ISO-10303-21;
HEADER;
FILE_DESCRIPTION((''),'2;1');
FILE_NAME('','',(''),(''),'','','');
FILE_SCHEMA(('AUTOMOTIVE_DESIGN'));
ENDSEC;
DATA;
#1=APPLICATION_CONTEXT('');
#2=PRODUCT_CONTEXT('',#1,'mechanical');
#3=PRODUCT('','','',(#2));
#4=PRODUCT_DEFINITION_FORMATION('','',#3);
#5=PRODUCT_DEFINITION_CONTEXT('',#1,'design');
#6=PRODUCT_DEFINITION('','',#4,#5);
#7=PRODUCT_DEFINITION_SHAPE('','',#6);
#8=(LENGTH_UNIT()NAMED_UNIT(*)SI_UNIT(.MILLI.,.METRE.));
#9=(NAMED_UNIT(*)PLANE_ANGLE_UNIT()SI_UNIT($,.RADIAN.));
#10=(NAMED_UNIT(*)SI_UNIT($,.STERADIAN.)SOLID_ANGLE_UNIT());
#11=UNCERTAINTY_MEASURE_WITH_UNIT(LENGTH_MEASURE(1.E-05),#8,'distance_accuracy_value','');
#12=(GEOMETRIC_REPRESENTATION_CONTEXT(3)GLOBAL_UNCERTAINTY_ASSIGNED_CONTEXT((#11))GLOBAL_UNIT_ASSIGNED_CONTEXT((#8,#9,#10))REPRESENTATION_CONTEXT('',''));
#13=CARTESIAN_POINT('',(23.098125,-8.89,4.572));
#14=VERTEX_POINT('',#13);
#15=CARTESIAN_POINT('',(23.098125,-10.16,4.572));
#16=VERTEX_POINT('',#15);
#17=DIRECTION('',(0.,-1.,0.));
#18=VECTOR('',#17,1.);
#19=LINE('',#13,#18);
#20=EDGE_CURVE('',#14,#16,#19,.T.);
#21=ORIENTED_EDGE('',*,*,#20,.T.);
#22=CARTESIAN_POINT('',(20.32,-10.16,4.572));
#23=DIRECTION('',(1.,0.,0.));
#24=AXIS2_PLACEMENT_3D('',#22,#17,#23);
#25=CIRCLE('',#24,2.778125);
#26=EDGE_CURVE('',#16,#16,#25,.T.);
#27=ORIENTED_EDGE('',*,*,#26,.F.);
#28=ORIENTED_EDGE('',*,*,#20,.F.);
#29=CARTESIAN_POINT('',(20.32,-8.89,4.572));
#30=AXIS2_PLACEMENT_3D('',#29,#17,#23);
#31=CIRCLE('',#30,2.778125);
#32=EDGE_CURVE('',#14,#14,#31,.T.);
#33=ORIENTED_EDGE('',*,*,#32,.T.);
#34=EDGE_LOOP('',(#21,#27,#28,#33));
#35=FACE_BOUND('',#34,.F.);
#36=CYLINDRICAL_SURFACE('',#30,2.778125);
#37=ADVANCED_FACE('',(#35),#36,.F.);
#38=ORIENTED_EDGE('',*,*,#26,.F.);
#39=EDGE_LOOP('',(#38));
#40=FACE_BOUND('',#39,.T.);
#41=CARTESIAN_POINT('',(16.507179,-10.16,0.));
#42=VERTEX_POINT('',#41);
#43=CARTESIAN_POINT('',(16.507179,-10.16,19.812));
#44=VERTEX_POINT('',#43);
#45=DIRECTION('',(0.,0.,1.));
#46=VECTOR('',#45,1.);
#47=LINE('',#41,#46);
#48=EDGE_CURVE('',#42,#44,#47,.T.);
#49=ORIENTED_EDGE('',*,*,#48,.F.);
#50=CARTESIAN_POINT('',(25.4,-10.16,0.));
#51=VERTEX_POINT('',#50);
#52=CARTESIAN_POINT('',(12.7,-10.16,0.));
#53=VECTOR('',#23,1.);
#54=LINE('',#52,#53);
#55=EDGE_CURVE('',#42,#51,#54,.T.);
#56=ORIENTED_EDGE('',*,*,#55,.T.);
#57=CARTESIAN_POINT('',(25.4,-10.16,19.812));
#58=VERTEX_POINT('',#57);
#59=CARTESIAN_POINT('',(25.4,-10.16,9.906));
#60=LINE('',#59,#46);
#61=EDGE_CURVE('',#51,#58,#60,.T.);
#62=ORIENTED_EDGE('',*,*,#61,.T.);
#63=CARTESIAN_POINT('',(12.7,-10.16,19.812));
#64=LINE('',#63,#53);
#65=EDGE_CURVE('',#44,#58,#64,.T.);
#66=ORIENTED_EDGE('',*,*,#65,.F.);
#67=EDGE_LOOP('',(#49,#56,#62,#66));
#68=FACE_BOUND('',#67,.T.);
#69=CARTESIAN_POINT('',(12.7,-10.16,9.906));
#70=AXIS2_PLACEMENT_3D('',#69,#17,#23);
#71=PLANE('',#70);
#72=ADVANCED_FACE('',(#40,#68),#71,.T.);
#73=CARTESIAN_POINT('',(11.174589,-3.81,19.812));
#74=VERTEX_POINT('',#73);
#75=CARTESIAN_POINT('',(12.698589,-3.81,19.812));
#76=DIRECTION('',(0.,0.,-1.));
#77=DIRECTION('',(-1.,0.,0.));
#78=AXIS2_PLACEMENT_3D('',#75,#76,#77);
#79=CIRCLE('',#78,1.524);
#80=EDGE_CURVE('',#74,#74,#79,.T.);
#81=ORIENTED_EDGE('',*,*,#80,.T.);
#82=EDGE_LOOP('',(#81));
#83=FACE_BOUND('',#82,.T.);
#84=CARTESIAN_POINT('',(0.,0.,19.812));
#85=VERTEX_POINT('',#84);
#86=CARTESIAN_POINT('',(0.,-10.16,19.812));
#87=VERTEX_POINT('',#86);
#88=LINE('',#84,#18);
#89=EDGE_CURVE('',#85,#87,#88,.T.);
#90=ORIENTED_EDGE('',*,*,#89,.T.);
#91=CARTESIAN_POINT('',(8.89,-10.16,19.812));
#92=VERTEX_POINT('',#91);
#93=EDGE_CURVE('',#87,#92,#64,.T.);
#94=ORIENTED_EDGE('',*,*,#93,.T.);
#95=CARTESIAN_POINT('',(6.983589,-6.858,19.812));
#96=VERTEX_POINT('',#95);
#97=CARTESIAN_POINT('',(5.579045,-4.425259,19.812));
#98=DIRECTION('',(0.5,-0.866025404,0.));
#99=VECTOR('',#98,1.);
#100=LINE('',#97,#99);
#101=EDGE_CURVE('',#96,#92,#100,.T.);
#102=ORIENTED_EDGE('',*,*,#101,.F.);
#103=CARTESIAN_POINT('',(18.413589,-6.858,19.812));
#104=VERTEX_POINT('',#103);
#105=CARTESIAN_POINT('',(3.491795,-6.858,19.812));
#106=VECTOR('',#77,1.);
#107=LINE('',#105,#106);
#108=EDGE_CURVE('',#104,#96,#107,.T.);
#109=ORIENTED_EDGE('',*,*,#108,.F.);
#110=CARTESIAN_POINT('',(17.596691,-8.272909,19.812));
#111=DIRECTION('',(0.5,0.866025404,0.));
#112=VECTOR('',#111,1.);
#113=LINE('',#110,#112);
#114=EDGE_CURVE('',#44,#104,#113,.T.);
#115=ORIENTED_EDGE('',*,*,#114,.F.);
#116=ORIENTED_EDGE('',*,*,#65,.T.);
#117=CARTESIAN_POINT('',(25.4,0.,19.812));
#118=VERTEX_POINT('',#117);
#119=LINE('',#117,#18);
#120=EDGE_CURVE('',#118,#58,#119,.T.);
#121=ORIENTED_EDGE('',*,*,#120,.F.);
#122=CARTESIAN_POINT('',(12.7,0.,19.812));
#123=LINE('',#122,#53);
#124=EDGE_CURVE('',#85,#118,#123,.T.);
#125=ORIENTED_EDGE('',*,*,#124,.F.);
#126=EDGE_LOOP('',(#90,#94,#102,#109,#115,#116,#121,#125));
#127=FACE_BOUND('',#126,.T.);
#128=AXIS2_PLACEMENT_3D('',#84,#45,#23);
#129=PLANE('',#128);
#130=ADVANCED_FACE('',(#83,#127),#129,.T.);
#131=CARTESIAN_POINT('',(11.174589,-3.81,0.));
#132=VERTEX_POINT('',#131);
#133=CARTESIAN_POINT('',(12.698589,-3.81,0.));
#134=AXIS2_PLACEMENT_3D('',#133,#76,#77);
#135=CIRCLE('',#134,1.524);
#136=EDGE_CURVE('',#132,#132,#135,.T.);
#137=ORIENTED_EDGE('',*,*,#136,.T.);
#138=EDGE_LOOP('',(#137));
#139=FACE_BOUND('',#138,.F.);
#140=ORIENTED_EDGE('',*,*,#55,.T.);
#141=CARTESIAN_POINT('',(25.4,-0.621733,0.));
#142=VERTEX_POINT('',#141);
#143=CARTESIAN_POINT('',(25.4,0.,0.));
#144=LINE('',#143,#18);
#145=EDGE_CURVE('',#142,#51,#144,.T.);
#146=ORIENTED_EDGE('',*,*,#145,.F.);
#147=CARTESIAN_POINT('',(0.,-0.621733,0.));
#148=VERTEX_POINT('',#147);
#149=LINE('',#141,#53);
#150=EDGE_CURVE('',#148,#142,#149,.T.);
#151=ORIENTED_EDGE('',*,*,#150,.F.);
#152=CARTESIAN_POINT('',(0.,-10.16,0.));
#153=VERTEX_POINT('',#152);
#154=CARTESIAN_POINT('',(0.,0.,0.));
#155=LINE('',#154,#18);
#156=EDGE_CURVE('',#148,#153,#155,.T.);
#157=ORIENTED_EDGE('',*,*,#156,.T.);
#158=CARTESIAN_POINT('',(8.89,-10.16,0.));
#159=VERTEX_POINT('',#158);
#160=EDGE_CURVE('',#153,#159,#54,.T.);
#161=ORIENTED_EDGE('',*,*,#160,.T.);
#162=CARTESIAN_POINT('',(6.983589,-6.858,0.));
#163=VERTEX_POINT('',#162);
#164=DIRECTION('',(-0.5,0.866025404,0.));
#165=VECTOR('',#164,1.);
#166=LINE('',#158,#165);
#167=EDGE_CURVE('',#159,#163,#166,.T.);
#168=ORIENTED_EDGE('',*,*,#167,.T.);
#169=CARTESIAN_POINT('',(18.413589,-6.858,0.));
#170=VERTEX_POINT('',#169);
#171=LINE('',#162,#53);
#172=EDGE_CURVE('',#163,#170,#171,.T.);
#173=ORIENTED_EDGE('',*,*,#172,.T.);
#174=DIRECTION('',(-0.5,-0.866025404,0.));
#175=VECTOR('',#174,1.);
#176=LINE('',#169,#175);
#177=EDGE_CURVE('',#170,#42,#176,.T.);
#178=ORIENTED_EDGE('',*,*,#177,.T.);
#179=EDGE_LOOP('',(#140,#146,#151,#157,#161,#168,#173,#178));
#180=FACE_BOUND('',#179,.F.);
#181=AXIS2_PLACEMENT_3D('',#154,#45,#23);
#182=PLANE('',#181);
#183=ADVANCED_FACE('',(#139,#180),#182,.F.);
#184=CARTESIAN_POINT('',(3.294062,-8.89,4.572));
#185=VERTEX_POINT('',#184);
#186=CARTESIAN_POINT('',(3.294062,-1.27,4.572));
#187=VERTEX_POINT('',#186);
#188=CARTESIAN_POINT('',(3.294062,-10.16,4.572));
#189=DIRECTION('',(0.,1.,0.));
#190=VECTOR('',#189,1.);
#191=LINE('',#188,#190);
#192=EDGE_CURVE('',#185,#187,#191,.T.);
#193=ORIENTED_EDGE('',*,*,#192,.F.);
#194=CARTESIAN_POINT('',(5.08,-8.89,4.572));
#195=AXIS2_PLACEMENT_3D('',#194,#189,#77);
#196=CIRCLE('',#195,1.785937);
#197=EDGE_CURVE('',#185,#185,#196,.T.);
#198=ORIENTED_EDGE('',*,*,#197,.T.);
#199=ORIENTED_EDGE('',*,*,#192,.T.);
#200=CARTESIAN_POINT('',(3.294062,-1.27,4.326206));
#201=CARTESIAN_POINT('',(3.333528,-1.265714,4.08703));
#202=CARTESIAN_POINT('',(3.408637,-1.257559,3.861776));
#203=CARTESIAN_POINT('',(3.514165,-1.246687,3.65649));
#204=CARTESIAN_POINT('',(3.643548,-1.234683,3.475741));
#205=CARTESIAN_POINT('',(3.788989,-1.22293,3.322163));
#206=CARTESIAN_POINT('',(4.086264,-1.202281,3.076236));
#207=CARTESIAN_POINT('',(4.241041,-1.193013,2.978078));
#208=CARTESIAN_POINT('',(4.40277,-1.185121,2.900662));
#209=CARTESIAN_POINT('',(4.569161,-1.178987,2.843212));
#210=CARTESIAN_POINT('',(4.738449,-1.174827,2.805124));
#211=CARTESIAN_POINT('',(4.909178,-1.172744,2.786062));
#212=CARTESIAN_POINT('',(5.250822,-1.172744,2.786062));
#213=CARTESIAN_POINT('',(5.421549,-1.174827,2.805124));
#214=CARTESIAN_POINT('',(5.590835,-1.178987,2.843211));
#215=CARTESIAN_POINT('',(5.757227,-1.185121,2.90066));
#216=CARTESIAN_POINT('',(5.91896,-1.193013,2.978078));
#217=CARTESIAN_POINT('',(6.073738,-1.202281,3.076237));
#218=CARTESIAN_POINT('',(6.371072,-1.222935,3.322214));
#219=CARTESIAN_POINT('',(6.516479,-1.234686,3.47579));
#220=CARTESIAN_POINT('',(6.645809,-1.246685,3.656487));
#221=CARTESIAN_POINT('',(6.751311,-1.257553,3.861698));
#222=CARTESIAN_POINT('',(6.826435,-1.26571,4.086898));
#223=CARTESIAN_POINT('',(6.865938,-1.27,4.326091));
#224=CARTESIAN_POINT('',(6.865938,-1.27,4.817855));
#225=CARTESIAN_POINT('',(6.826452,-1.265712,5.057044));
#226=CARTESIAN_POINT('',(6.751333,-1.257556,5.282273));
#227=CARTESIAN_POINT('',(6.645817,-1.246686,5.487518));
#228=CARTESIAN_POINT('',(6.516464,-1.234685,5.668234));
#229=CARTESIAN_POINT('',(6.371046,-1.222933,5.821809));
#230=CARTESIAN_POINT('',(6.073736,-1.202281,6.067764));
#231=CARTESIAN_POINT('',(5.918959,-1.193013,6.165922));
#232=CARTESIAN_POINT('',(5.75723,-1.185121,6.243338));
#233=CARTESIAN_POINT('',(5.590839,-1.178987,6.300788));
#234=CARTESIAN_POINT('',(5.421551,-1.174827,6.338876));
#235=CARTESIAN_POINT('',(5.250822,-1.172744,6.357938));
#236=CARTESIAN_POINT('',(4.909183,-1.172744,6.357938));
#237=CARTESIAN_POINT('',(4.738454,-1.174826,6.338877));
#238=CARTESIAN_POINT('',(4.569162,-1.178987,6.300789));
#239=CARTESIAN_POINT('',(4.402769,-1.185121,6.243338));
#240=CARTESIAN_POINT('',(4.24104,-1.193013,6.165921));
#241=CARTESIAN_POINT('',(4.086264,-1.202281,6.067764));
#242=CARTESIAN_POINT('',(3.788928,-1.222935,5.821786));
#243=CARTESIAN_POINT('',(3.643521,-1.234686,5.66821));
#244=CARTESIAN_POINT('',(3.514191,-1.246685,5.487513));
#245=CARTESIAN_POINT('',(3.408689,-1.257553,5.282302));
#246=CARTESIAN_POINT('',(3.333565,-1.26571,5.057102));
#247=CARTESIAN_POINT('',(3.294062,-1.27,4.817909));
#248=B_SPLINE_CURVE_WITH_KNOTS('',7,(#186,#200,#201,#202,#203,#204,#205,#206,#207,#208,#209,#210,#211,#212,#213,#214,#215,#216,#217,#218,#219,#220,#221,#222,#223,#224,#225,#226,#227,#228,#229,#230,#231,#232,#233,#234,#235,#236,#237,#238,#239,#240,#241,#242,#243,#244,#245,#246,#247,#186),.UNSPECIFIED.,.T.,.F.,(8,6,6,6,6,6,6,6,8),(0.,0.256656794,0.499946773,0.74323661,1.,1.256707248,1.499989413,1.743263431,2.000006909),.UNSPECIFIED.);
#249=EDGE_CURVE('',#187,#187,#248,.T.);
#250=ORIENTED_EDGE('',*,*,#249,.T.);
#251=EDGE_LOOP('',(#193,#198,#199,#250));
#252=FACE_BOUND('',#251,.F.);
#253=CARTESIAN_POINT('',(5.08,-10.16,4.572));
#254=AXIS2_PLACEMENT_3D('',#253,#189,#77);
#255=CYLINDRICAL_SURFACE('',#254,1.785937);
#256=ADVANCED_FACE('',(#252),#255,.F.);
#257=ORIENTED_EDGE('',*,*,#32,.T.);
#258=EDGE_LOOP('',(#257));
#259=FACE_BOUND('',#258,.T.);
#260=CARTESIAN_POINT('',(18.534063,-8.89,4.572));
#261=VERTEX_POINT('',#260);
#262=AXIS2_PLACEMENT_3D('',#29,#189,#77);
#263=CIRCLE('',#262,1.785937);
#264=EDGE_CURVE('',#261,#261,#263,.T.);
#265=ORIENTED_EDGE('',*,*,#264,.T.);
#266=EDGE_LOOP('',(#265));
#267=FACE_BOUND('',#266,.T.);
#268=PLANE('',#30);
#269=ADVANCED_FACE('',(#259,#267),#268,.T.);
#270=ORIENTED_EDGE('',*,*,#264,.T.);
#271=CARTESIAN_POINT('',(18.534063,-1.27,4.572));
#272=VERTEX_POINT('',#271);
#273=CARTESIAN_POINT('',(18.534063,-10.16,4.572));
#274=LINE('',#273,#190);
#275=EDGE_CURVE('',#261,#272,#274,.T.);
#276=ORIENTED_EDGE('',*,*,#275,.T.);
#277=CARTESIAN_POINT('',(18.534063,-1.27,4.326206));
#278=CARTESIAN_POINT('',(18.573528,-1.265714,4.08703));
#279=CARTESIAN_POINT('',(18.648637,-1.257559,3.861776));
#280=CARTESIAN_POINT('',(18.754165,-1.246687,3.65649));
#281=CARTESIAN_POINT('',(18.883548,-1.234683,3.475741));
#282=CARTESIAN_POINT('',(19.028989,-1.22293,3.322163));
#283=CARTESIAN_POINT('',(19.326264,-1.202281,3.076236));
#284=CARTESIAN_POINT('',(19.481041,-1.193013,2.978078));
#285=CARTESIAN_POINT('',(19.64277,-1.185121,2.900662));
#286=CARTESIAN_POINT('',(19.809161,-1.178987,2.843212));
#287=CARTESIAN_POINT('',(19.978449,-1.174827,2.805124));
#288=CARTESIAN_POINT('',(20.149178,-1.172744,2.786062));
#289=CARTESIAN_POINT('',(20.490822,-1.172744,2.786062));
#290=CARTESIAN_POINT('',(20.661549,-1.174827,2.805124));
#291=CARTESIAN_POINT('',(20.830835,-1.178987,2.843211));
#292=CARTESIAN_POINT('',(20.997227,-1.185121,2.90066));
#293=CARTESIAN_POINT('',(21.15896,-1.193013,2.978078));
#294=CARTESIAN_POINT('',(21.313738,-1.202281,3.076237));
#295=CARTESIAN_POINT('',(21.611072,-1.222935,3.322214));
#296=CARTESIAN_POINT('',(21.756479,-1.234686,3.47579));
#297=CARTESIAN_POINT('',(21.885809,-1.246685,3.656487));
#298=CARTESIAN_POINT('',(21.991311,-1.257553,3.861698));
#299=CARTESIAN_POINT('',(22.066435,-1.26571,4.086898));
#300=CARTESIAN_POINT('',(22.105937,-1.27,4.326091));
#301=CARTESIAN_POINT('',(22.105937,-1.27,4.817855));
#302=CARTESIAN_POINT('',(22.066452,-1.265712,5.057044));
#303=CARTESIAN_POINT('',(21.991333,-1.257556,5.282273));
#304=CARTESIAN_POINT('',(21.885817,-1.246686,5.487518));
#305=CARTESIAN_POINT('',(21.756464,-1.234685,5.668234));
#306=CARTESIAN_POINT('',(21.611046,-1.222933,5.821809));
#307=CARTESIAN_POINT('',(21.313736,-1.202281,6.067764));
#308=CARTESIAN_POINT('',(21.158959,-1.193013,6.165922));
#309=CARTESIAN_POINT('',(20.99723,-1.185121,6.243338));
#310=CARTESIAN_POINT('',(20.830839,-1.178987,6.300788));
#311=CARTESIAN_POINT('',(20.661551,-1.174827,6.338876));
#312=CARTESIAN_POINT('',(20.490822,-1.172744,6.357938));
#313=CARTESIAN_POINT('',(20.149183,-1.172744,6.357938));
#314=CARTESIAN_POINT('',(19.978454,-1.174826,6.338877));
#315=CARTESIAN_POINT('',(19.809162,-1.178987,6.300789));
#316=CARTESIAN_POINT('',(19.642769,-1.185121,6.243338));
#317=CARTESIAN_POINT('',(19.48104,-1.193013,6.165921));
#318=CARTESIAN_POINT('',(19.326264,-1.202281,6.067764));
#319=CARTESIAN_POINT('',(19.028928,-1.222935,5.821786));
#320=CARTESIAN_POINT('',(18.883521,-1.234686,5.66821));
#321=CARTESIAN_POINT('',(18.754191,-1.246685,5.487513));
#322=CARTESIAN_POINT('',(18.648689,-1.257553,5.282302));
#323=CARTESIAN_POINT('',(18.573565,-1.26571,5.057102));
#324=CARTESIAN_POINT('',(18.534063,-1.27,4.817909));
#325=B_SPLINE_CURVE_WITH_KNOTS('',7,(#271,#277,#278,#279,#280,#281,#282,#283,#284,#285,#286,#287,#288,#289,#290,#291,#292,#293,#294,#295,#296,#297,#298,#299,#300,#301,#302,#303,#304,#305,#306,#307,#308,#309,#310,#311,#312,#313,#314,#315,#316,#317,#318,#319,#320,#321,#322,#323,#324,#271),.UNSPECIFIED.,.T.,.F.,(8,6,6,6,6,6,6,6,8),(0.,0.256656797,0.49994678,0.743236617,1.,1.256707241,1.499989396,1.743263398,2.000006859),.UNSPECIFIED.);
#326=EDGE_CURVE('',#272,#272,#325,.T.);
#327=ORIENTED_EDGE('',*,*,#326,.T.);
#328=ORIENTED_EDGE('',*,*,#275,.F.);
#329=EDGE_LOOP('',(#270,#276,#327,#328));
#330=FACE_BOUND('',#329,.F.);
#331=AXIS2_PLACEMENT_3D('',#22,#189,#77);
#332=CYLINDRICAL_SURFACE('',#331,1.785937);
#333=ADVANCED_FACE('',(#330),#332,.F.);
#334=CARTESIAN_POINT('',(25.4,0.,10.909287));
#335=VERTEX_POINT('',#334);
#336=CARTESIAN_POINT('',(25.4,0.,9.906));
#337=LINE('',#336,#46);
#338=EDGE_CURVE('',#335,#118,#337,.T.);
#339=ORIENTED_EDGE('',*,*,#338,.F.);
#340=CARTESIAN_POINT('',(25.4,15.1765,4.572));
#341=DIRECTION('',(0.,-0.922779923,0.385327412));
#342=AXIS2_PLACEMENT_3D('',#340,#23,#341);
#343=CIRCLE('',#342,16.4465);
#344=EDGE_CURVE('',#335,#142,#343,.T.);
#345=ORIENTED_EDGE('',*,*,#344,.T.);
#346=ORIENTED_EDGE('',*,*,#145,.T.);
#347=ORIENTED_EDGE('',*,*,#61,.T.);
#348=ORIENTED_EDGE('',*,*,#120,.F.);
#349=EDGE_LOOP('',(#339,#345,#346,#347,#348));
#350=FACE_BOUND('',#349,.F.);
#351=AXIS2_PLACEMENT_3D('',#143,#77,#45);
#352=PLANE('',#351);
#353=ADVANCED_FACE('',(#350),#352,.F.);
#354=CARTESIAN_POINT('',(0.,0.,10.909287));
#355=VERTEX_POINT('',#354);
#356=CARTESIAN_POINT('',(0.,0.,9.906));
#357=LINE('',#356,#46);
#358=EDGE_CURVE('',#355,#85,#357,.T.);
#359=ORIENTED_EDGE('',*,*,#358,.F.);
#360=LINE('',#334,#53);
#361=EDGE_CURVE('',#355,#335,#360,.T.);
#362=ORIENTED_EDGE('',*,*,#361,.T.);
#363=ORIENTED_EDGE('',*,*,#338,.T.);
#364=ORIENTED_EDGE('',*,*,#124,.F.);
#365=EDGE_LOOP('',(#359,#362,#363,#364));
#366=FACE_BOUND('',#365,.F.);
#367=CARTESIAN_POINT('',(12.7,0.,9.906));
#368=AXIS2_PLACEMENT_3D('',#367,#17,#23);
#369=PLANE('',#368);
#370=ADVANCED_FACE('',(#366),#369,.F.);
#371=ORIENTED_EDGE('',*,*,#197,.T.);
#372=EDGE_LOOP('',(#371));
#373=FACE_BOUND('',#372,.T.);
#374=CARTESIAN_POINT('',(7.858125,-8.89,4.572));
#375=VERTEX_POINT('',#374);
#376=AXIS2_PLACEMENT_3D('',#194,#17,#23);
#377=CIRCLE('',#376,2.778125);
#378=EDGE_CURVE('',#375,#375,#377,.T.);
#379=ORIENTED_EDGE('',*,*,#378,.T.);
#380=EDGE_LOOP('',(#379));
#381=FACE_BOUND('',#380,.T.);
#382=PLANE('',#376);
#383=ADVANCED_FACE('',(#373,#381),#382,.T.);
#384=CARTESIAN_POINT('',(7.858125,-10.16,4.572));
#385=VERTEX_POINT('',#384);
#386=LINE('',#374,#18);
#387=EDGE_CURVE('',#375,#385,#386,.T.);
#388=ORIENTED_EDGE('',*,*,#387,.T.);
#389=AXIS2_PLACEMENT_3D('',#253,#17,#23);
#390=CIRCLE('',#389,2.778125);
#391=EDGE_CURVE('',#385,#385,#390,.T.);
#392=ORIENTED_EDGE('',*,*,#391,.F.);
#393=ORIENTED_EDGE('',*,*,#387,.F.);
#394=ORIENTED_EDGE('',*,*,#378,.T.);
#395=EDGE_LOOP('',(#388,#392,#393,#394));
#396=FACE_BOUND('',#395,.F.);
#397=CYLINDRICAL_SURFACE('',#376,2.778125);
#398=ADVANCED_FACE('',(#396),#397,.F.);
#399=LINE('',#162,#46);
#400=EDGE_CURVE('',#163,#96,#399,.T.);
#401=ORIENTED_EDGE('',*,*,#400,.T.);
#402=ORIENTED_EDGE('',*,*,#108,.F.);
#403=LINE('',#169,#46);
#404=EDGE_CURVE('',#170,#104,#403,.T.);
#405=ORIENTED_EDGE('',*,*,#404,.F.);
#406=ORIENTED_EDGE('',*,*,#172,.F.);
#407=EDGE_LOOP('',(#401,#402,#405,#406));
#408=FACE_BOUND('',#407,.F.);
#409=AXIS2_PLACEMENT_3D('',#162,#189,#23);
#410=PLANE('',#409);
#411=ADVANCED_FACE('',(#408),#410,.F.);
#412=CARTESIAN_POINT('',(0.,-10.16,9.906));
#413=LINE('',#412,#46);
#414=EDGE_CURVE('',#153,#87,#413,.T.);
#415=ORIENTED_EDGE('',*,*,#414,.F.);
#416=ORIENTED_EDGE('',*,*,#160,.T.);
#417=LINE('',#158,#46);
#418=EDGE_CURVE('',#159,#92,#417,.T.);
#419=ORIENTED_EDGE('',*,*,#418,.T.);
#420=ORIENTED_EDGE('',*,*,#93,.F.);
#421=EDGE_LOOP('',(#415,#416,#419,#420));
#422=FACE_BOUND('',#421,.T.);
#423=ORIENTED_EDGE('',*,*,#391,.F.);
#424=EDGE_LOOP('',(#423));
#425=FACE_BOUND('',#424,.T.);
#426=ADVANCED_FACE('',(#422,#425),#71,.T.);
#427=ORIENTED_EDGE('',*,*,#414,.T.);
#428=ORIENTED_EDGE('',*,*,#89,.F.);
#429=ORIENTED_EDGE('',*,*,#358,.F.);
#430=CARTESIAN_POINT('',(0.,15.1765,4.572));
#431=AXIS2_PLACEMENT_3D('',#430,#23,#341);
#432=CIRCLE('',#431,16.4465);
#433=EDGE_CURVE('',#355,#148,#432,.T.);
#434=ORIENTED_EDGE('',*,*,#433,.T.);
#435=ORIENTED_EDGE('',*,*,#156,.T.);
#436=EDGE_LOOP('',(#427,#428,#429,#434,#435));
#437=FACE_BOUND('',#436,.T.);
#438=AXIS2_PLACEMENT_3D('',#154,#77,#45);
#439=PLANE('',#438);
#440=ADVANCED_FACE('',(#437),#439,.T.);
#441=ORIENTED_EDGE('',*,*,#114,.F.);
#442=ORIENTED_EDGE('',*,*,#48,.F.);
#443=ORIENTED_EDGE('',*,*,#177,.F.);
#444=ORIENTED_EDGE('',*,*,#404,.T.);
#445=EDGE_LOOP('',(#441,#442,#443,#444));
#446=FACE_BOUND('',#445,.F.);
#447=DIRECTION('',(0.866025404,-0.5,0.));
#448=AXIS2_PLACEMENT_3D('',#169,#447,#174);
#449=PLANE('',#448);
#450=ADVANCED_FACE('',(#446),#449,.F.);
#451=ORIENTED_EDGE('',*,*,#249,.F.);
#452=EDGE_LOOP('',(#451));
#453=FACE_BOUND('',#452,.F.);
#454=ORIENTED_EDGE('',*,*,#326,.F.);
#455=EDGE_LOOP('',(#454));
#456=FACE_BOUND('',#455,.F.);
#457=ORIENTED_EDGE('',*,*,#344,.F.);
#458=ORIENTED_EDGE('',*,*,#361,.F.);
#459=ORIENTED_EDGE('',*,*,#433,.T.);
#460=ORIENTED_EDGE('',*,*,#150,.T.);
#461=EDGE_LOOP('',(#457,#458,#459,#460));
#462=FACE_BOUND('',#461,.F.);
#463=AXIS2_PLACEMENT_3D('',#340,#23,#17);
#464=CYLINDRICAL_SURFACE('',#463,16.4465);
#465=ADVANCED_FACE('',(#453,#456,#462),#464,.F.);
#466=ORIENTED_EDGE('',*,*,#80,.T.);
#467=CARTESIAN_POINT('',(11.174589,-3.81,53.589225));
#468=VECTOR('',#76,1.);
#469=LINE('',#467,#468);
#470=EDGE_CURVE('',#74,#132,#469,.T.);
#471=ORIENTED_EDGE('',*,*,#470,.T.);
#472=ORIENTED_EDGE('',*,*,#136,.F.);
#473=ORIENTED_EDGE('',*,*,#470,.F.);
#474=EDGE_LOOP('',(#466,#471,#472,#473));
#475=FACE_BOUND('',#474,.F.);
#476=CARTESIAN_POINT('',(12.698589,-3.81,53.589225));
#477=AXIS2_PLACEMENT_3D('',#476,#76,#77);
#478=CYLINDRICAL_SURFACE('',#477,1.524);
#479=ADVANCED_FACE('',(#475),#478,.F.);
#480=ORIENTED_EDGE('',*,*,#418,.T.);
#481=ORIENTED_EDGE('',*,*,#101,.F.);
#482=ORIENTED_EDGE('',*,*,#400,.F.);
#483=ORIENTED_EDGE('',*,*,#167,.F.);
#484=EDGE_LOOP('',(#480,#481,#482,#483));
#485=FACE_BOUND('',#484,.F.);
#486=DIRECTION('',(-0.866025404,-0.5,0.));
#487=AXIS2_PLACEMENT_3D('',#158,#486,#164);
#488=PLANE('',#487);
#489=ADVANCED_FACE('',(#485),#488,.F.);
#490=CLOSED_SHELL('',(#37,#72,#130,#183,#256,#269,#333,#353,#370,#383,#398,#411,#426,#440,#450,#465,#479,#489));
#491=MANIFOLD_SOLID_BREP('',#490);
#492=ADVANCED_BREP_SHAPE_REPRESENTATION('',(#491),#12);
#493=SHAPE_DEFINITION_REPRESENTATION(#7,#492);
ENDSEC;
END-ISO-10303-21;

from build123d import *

# Parameters (mm, degrees)
F0_W           = 25.4
F0_H           = 19.812
F1_DEPTH       = 10.16
F3_D           = 3.571875
F3_CBORE_D     = 5.55625
F3_CBORE_DEPTH = 1.27
F4_D           = 3.571875
F4_CBORE_D     = 5.55625
F4_CBORE_DEPTH = 1.27
F6_DEPTH       = 19.813
F8_D           = 3.048
F10_DEPTH      = 25.4


with BuildPart() as f1:
    # F0 (on Front) → F1 (new body)
    with BuildSketch(Plane.XZ):
        with Locations((12.7, 9.906)):
            Rectangle(F0_W, F0_H)
    extrude(amount=F1_DEPTH)

    # F3 (through all)
    with Locations(Plane.XZ.offset(10.16)):
        with Locations((5.08, 4.572)):
            CounterBoreHole(F3_D / 2, F3_CBORE_D / 2, F3_CBORE_DEPTH)

    # F4 (through all)
    with Locations(Plane.XZ.offset(10.16)):
        with Locations((20.32, 4.572)):
            CounterBoreHole(F4_D / 2, F4_CBORE_D / 2, F4_CBORE_DEPTH)

    # F5 (on face) → F6 (cut, through all)
    with BuildSketch(Plane(origin=(0, 0, 0), x_dir=(1, 0, 0), z_dir=(0, 0, -1))):
        Polygon((16.5071788223, 10.16), (8.89, 10.16), (6.9835894111, 6.858), (18.4135894111, 6.858), align=None)
    extrude(amount=-F6_DEPTH, mode=Mode.SUBTRACT)

    # F8 (through all)
    with Locations(Plane.XY.offset(19.812)):
        with Locations((12.6985894111, -3.8099997389)):
            Hole(F8_D / 2)

    # F9 (on face) → F10 (cut)
    with BuildSketch(Plane.YZ.offset(25.4)):
        with BuildLine():
            ThreePointArc((31.623, 4.572), (15.1765, 21.0185), (-1.27, 4.572))
            Line((-1.27, 4.572), (0, 4.572))
            Line((0, 4.572), (31.623, 4.572))
        make_face()
        with BuildLine():
            Line((0, 4.572), (-1.27, 4.572))
            ThreePointArc((-1.27, 4.572), (15.1765, -11.8745), (31.623, 4.572))
            Line((31.623, 4.572), (0, 4.572))
        make_face()
    extrude(amount=-F10_DEPTH, mode=Mode.SUBTRACT)


solid = f1.part
